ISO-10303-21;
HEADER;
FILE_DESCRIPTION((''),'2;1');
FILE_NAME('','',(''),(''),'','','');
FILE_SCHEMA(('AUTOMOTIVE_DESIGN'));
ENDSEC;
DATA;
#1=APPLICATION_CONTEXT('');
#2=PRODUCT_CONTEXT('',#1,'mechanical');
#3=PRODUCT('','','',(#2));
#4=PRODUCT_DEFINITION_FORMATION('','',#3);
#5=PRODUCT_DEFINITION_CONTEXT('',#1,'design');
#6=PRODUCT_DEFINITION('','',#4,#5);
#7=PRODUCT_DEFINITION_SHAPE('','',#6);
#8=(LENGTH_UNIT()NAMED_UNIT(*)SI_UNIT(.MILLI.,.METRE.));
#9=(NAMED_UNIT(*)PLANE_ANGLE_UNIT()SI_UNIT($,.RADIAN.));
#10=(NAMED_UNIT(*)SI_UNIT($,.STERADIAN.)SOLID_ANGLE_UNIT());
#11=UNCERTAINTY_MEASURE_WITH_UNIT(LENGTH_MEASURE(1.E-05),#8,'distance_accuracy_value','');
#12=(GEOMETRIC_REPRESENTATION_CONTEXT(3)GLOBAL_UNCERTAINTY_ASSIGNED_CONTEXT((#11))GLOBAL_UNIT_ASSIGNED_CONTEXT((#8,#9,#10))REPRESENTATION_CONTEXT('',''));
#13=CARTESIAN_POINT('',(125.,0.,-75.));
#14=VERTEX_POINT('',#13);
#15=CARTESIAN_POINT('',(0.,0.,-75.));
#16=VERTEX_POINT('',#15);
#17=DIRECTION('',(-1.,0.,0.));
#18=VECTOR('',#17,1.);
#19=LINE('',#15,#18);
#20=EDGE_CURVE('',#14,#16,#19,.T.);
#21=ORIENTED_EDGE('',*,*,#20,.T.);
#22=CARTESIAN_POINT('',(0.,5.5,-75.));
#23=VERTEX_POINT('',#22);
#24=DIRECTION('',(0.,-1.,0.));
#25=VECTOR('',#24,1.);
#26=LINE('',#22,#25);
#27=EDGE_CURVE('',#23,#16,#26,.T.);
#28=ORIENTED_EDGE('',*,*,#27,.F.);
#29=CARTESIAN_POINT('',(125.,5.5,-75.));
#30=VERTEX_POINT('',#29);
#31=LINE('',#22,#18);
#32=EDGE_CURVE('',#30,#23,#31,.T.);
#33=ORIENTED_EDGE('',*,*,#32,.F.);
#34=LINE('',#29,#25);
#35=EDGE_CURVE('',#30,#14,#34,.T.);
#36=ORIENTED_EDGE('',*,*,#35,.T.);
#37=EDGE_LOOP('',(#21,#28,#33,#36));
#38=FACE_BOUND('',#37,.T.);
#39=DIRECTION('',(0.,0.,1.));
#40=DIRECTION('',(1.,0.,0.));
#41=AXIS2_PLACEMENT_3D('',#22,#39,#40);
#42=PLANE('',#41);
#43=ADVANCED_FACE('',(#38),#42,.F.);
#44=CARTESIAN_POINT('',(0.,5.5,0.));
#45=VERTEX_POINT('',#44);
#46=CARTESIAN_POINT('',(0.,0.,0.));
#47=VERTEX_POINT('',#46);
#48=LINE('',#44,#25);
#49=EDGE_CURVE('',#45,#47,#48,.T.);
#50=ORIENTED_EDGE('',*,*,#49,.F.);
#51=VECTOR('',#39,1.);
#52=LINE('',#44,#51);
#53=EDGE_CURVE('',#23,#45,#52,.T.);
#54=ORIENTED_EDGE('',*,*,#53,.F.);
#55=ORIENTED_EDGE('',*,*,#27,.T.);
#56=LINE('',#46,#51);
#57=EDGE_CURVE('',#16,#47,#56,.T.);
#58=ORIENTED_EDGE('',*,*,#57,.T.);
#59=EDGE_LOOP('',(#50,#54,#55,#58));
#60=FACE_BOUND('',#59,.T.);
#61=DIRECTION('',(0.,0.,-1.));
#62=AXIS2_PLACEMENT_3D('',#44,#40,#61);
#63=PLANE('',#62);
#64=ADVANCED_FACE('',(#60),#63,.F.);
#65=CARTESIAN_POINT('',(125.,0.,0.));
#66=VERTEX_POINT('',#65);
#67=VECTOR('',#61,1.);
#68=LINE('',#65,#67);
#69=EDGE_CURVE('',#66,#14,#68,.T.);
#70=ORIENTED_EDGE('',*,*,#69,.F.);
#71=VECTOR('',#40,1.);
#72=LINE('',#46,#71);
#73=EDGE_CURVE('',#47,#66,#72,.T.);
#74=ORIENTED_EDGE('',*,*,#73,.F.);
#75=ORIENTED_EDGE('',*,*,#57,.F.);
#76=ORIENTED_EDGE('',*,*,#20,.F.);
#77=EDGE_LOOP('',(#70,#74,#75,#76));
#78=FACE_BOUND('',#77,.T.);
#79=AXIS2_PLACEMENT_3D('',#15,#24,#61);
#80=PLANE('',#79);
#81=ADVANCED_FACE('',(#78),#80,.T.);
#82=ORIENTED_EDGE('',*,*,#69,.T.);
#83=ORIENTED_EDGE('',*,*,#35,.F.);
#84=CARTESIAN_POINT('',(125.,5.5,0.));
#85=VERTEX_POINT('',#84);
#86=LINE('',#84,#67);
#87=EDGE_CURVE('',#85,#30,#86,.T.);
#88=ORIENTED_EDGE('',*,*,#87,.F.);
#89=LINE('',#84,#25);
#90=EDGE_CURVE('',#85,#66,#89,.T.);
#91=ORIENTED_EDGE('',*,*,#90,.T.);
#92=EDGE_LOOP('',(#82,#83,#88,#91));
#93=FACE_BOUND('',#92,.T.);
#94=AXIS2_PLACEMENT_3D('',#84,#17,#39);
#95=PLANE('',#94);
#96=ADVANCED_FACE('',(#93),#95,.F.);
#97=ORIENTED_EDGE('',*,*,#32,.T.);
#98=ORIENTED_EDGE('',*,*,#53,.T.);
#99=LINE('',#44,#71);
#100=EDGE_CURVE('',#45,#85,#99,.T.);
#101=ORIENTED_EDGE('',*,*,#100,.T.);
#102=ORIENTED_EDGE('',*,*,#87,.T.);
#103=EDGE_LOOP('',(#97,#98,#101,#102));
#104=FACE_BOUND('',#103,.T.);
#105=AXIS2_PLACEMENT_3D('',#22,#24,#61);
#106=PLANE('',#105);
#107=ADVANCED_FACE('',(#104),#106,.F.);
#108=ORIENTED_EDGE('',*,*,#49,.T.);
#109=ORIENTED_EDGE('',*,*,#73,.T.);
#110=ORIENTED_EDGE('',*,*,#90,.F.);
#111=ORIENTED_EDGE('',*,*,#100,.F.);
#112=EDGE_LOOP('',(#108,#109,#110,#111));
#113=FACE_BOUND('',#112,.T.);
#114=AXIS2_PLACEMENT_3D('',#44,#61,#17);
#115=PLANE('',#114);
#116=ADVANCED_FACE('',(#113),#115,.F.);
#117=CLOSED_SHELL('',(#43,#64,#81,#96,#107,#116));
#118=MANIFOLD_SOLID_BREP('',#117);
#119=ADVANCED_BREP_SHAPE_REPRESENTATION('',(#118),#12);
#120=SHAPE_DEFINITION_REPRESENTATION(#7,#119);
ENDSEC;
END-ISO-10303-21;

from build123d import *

# Parameters (mm, degrees)
SKETCH1_W           = 125
SKETCH1_H           = 75
BOSS_EXTRUDE2_DEPTH = 5.5


with BuildPart() as part:
    # Sketch1 → Boss-Extrude2 (new body)
    with BuildSketch(Plane(origin=(0, 0, 0), x_dir=(1, 0, 0), z_dir=(0, 1, 0))):
        with Locations((62.5, 37.5)):
            Rectangle(SKETCH1_W, SKETCH1_H)
    extrude(amount=BOSS_EXTRUDE2_DEPTH)


solid = part.part
